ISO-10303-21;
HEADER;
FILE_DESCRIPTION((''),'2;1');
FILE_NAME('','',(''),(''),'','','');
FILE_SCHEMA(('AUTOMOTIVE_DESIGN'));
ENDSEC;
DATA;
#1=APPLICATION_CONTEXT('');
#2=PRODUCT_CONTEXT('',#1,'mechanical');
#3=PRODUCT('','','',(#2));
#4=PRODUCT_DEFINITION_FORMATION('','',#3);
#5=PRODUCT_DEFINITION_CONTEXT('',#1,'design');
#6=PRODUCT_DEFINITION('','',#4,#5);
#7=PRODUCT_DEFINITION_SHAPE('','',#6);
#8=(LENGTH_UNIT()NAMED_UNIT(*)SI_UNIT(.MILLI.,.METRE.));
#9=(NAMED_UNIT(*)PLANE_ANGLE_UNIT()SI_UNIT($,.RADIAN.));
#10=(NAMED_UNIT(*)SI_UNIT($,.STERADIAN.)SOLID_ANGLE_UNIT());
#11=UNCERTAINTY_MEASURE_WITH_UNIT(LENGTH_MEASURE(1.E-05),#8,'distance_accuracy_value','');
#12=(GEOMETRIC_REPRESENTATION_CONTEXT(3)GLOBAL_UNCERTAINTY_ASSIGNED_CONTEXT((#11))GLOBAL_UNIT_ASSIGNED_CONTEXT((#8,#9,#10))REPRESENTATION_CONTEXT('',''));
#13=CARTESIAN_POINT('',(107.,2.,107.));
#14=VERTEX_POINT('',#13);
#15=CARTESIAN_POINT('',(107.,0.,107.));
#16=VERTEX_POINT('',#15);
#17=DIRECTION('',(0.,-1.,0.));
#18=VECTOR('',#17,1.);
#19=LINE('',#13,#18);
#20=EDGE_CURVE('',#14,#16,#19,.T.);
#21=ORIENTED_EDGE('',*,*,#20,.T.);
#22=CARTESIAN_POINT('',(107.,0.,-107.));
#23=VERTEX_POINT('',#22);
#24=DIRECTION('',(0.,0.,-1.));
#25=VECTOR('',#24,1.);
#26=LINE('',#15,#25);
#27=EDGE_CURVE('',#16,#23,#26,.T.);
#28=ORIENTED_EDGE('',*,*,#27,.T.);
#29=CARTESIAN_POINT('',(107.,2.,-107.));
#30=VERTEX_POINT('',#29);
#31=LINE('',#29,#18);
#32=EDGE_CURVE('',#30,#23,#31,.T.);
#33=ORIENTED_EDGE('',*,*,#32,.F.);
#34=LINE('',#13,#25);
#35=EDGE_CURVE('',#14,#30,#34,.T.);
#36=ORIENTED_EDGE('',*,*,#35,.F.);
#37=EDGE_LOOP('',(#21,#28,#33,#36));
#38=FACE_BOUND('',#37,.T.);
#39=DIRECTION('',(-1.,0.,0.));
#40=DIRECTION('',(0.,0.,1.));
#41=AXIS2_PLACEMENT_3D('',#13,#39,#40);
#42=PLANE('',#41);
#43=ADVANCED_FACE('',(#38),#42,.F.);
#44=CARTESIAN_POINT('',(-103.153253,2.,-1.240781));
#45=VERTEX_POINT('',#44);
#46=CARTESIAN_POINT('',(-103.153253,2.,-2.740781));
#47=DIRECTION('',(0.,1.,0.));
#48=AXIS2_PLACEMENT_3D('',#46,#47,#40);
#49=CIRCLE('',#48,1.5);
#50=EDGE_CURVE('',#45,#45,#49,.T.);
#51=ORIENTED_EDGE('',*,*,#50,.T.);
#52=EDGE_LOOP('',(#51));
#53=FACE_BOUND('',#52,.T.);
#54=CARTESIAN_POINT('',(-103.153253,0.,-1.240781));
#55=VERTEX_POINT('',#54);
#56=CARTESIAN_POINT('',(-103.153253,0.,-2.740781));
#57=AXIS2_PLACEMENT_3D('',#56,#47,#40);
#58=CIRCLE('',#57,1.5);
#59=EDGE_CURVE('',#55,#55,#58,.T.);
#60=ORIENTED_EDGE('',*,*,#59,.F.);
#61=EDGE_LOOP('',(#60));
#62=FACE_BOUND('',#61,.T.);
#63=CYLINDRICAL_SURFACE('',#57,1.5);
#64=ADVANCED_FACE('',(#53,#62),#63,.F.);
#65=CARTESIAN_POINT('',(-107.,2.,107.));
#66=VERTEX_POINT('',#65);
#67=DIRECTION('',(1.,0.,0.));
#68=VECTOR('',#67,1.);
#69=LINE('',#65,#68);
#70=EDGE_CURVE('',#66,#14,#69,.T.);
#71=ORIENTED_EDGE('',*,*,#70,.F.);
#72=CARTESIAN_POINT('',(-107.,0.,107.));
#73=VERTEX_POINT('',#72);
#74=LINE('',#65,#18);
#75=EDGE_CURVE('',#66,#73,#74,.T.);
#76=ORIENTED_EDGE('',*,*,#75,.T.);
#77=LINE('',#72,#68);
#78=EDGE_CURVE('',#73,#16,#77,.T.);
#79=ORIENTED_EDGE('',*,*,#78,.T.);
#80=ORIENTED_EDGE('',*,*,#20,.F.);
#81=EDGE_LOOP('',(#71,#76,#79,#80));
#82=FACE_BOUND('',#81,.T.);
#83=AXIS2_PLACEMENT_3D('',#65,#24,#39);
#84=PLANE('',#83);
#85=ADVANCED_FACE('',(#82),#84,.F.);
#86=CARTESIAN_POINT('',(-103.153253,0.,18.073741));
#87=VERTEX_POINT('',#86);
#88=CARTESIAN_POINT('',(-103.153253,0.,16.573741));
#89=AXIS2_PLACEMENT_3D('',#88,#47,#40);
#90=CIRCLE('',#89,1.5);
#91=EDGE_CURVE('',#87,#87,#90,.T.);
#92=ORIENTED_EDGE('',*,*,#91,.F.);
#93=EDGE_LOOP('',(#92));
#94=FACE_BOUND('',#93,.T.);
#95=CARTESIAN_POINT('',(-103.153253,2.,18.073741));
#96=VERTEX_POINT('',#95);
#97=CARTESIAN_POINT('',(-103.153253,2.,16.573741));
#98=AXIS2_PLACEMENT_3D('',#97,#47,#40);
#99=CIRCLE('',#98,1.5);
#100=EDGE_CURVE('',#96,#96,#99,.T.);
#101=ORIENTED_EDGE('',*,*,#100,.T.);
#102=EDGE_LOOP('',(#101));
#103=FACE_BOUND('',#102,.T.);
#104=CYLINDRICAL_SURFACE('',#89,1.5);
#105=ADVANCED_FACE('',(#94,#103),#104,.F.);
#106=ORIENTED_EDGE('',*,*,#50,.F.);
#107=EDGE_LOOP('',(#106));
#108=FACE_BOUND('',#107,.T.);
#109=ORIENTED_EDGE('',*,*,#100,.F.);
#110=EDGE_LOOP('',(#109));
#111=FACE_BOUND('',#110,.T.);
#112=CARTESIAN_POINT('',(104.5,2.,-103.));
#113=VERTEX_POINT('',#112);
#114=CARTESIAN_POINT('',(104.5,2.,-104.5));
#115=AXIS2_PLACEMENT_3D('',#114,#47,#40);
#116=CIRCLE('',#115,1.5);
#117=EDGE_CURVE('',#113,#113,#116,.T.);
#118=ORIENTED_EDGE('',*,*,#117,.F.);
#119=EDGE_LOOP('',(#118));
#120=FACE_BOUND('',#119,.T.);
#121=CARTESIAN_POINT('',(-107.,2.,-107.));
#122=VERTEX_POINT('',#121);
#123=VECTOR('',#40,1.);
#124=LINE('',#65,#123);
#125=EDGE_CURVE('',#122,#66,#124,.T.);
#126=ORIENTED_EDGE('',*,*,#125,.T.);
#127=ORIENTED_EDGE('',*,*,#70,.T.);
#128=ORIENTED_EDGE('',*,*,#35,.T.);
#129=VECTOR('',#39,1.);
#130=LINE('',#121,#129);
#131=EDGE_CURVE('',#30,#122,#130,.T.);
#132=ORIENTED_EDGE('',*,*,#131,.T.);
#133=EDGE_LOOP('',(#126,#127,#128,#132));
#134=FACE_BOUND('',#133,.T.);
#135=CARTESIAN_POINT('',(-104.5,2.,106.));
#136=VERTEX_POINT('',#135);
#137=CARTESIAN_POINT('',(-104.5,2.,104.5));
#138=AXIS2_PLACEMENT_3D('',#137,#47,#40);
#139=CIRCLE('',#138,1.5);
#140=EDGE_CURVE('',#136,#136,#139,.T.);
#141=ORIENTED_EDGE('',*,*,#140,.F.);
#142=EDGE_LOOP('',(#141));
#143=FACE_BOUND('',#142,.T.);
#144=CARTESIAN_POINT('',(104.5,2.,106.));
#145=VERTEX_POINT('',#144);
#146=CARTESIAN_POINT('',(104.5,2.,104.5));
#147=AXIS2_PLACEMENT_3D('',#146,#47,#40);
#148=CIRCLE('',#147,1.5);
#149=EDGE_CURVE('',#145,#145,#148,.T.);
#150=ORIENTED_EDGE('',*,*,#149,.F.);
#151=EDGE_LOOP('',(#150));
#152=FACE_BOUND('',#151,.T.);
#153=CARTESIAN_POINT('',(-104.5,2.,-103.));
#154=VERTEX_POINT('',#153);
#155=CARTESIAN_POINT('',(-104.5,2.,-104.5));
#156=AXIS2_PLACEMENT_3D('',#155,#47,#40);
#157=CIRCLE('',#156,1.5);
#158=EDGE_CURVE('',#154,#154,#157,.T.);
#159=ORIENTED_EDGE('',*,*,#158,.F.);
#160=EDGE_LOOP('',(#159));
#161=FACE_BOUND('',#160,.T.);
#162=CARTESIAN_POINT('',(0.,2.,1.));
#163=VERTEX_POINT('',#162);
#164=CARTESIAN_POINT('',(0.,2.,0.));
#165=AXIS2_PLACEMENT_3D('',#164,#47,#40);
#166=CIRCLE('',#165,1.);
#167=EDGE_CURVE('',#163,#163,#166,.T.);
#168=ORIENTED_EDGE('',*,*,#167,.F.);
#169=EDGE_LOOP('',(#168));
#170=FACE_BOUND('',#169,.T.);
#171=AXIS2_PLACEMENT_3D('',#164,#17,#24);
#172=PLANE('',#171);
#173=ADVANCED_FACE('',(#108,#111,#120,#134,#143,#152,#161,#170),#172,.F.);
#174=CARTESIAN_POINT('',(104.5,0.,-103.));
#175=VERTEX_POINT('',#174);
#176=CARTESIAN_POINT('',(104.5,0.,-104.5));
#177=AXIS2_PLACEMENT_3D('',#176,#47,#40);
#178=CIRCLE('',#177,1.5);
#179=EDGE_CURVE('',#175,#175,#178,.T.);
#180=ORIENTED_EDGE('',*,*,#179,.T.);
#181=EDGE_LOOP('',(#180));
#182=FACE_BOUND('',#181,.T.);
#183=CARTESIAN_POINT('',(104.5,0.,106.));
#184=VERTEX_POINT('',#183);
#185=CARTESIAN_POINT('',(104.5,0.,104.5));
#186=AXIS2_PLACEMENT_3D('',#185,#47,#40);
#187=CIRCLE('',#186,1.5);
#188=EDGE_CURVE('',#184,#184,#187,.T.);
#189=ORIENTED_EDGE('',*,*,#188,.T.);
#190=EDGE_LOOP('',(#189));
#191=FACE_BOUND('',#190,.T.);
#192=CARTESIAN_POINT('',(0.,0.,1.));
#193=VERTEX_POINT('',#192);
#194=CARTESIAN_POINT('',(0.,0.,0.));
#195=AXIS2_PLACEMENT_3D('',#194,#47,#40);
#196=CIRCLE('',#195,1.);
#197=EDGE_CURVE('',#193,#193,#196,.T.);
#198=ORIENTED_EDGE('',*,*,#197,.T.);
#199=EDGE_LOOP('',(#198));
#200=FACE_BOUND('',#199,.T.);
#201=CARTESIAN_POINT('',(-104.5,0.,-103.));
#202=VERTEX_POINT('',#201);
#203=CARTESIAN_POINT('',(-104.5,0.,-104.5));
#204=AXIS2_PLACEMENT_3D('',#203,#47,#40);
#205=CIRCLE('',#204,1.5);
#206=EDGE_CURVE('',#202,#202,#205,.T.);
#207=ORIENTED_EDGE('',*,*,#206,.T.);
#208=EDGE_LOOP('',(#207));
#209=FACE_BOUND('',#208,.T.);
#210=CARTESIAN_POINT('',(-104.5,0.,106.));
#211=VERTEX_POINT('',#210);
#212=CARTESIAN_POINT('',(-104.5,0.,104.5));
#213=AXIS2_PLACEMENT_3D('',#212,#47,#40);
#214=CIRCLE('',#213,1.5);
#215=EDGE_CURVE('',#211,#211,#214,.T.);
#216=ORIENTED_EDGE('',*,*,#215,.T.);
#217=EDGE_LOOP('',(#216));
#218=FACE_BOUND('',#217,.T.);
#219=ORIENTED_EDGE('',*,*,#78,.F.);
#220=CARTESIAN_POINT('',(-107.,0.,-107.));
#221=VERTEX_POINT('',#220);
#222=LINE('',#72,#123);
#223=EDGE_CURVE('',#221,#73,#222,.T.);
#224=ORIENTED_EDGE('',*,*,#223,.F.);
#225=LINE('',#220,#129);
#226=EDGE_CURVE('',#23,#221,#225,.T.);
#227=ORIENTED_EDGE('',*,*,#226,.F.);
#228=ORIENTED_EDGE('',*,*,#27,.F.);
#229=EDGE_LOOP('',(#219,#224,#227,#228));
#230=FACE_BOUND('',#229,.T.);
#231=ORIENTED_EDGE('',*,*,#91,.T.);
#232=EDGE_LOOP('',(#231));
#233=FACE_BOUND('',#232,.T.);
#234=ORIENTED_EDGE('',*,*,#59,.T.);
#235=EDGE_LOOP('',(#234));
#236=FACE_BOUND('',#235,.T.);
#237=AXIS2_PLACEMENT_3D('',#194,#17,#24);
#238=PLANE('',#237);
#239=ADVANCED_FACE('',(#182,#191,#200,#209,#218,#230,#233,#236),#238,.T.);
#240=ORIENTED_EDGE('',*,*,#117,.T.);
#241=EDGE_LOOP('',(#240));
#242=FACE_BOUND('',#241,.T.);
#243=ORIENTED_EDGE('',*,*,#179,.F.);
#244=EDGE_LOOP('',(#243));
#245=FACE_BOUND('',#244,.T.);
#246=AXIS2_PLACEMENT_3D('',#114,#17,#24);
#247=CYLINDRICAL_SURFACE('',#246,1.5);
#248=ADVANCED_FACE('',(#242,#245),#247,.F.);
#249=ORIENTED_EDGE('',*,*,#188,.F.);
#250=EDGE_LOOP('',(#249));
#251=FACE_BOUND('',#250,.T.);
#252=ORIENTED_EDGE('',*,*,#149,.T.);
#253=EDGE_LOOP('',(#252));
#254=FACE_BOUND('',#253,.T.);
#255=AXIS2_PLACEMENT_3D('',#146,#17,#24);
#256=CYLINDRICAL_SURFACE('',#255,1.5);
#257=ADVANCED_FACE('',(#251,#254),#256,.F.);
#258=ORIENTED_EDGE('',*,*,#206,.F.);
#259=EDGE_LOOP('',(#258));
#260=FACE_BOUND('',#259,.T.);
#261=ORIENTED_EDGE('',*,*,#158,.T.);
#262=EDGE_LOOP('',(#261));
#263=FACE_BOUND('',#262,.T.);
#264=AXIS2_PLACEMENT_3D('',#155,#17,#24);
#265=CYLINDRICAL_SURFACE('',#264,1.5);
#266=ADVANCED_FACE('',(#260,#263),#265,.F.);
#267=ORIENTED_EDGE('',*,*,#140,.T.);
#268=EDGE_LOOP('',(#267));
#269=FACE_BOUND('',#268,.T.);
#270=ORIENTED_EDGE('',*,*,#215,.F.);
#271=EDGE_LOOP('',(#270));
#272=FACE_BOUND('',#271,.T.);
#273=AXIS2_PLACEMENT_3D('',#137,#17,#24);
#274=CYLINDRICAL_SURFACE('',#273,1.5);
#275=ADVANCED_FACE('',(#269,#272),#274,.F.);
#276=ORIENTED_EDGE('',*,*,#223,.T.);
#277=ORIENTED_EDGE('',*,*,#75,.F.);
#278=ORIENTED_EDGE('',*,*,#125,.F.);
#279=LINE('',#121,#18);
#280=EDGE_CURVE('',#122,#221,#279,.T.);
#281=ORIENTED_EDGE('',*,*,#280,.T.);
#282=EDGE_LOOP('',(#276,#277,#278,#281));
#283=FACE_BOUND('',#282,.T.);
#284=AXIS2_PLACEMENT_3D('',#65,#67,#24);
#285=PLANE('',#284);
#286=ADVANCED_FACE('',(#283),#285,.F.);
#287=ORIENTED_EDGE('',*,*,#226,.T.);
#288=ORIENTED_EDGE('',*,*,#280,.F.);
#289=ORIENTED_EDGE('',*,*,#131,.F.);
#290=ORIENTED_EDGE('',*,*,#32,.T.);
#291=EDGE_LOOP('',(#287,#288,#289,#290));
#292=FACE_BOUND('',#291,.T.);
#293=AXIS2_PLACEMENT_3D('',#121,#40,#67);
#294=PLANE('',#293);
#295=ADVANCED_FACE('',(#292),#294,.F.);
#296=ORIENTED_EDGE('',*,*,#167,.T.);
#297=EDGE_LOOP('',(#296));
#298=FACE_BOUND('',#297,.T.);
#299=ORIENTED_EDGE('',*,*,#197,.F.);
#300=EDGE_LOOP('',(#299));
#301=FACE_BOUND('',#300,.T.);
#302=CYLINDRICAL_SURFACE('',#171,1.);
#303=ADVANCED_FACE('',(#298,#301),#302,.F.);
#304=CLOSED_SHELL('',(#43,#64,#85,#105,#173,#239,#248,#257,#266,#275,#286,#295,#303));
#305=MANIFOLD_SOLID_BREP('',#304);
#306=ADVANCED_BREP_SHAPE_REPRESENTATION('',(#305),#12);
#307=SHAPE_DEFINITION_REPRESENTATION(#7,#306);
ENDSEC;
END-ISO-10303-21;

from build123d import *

# Parameters (mm, degrees)
SKETCH_1_W          = 214
SKETCH_1_H          = 214
SKETCH_1_R          = 1.5
SKETCH_1_R_2        = 1
EXTRUDE_1_DEPTH     = 2
SKETCH_4_R          = 1.5
CUT_EXTRUDE_1_DEPTH = 3


with BuildPart() as part:
    # Эскиз1 → Бобышка-Вытянуть1 (new body)
    with BuildSketch(Plane(origin=(0, 0, 0), x_dir=(1, 0, 0), z_dir=(0, 1, 0))):
        Rectangle(SKETCH_1_W, SKETCH_1_H)
        with Locations((-104.5, 104.5)):
            Circle(SKETCH_1_R, mode=Mode.SUBTRACT)
        with Locations((104.5, 104.5)):
            Circle(SKETCH_1_R, mode=Mode.SUBTRACT)
        with Locations((104.5, -104.5)):
            Circle(SKETCH_1_R, mode=Mode.SUBTRACT)
        with Locations((-104.5, -104.5)):
            Circle(SKETCH_1_R, mode=Mode.SUBTRACT)
        Circle(SKETCH_1_R_2, mode=Mode.SUBTRACT)
    extrude(amount=EXTRUDE_1_DEPTH)

    # Эскиз4 → Вырез-Вытянуть1 (cut, through all)
    with BuildSketch(Plane(origin=(0, 2, 0), x_dir=(1, 0, 0), z_dir=(0, 1, 0))):
        with Locations((-103.153252948, 2.740781497)):
            Circle(SKETCH_4_R)
        with Locations((-103.153252948, -16.573740768)):
            Circle(SKETCH_4_R)
    extrude(amount=-CUT_EXTRUDE_1_DEPTH, mode=Mode.SUBTRACT)


solid = part.part
